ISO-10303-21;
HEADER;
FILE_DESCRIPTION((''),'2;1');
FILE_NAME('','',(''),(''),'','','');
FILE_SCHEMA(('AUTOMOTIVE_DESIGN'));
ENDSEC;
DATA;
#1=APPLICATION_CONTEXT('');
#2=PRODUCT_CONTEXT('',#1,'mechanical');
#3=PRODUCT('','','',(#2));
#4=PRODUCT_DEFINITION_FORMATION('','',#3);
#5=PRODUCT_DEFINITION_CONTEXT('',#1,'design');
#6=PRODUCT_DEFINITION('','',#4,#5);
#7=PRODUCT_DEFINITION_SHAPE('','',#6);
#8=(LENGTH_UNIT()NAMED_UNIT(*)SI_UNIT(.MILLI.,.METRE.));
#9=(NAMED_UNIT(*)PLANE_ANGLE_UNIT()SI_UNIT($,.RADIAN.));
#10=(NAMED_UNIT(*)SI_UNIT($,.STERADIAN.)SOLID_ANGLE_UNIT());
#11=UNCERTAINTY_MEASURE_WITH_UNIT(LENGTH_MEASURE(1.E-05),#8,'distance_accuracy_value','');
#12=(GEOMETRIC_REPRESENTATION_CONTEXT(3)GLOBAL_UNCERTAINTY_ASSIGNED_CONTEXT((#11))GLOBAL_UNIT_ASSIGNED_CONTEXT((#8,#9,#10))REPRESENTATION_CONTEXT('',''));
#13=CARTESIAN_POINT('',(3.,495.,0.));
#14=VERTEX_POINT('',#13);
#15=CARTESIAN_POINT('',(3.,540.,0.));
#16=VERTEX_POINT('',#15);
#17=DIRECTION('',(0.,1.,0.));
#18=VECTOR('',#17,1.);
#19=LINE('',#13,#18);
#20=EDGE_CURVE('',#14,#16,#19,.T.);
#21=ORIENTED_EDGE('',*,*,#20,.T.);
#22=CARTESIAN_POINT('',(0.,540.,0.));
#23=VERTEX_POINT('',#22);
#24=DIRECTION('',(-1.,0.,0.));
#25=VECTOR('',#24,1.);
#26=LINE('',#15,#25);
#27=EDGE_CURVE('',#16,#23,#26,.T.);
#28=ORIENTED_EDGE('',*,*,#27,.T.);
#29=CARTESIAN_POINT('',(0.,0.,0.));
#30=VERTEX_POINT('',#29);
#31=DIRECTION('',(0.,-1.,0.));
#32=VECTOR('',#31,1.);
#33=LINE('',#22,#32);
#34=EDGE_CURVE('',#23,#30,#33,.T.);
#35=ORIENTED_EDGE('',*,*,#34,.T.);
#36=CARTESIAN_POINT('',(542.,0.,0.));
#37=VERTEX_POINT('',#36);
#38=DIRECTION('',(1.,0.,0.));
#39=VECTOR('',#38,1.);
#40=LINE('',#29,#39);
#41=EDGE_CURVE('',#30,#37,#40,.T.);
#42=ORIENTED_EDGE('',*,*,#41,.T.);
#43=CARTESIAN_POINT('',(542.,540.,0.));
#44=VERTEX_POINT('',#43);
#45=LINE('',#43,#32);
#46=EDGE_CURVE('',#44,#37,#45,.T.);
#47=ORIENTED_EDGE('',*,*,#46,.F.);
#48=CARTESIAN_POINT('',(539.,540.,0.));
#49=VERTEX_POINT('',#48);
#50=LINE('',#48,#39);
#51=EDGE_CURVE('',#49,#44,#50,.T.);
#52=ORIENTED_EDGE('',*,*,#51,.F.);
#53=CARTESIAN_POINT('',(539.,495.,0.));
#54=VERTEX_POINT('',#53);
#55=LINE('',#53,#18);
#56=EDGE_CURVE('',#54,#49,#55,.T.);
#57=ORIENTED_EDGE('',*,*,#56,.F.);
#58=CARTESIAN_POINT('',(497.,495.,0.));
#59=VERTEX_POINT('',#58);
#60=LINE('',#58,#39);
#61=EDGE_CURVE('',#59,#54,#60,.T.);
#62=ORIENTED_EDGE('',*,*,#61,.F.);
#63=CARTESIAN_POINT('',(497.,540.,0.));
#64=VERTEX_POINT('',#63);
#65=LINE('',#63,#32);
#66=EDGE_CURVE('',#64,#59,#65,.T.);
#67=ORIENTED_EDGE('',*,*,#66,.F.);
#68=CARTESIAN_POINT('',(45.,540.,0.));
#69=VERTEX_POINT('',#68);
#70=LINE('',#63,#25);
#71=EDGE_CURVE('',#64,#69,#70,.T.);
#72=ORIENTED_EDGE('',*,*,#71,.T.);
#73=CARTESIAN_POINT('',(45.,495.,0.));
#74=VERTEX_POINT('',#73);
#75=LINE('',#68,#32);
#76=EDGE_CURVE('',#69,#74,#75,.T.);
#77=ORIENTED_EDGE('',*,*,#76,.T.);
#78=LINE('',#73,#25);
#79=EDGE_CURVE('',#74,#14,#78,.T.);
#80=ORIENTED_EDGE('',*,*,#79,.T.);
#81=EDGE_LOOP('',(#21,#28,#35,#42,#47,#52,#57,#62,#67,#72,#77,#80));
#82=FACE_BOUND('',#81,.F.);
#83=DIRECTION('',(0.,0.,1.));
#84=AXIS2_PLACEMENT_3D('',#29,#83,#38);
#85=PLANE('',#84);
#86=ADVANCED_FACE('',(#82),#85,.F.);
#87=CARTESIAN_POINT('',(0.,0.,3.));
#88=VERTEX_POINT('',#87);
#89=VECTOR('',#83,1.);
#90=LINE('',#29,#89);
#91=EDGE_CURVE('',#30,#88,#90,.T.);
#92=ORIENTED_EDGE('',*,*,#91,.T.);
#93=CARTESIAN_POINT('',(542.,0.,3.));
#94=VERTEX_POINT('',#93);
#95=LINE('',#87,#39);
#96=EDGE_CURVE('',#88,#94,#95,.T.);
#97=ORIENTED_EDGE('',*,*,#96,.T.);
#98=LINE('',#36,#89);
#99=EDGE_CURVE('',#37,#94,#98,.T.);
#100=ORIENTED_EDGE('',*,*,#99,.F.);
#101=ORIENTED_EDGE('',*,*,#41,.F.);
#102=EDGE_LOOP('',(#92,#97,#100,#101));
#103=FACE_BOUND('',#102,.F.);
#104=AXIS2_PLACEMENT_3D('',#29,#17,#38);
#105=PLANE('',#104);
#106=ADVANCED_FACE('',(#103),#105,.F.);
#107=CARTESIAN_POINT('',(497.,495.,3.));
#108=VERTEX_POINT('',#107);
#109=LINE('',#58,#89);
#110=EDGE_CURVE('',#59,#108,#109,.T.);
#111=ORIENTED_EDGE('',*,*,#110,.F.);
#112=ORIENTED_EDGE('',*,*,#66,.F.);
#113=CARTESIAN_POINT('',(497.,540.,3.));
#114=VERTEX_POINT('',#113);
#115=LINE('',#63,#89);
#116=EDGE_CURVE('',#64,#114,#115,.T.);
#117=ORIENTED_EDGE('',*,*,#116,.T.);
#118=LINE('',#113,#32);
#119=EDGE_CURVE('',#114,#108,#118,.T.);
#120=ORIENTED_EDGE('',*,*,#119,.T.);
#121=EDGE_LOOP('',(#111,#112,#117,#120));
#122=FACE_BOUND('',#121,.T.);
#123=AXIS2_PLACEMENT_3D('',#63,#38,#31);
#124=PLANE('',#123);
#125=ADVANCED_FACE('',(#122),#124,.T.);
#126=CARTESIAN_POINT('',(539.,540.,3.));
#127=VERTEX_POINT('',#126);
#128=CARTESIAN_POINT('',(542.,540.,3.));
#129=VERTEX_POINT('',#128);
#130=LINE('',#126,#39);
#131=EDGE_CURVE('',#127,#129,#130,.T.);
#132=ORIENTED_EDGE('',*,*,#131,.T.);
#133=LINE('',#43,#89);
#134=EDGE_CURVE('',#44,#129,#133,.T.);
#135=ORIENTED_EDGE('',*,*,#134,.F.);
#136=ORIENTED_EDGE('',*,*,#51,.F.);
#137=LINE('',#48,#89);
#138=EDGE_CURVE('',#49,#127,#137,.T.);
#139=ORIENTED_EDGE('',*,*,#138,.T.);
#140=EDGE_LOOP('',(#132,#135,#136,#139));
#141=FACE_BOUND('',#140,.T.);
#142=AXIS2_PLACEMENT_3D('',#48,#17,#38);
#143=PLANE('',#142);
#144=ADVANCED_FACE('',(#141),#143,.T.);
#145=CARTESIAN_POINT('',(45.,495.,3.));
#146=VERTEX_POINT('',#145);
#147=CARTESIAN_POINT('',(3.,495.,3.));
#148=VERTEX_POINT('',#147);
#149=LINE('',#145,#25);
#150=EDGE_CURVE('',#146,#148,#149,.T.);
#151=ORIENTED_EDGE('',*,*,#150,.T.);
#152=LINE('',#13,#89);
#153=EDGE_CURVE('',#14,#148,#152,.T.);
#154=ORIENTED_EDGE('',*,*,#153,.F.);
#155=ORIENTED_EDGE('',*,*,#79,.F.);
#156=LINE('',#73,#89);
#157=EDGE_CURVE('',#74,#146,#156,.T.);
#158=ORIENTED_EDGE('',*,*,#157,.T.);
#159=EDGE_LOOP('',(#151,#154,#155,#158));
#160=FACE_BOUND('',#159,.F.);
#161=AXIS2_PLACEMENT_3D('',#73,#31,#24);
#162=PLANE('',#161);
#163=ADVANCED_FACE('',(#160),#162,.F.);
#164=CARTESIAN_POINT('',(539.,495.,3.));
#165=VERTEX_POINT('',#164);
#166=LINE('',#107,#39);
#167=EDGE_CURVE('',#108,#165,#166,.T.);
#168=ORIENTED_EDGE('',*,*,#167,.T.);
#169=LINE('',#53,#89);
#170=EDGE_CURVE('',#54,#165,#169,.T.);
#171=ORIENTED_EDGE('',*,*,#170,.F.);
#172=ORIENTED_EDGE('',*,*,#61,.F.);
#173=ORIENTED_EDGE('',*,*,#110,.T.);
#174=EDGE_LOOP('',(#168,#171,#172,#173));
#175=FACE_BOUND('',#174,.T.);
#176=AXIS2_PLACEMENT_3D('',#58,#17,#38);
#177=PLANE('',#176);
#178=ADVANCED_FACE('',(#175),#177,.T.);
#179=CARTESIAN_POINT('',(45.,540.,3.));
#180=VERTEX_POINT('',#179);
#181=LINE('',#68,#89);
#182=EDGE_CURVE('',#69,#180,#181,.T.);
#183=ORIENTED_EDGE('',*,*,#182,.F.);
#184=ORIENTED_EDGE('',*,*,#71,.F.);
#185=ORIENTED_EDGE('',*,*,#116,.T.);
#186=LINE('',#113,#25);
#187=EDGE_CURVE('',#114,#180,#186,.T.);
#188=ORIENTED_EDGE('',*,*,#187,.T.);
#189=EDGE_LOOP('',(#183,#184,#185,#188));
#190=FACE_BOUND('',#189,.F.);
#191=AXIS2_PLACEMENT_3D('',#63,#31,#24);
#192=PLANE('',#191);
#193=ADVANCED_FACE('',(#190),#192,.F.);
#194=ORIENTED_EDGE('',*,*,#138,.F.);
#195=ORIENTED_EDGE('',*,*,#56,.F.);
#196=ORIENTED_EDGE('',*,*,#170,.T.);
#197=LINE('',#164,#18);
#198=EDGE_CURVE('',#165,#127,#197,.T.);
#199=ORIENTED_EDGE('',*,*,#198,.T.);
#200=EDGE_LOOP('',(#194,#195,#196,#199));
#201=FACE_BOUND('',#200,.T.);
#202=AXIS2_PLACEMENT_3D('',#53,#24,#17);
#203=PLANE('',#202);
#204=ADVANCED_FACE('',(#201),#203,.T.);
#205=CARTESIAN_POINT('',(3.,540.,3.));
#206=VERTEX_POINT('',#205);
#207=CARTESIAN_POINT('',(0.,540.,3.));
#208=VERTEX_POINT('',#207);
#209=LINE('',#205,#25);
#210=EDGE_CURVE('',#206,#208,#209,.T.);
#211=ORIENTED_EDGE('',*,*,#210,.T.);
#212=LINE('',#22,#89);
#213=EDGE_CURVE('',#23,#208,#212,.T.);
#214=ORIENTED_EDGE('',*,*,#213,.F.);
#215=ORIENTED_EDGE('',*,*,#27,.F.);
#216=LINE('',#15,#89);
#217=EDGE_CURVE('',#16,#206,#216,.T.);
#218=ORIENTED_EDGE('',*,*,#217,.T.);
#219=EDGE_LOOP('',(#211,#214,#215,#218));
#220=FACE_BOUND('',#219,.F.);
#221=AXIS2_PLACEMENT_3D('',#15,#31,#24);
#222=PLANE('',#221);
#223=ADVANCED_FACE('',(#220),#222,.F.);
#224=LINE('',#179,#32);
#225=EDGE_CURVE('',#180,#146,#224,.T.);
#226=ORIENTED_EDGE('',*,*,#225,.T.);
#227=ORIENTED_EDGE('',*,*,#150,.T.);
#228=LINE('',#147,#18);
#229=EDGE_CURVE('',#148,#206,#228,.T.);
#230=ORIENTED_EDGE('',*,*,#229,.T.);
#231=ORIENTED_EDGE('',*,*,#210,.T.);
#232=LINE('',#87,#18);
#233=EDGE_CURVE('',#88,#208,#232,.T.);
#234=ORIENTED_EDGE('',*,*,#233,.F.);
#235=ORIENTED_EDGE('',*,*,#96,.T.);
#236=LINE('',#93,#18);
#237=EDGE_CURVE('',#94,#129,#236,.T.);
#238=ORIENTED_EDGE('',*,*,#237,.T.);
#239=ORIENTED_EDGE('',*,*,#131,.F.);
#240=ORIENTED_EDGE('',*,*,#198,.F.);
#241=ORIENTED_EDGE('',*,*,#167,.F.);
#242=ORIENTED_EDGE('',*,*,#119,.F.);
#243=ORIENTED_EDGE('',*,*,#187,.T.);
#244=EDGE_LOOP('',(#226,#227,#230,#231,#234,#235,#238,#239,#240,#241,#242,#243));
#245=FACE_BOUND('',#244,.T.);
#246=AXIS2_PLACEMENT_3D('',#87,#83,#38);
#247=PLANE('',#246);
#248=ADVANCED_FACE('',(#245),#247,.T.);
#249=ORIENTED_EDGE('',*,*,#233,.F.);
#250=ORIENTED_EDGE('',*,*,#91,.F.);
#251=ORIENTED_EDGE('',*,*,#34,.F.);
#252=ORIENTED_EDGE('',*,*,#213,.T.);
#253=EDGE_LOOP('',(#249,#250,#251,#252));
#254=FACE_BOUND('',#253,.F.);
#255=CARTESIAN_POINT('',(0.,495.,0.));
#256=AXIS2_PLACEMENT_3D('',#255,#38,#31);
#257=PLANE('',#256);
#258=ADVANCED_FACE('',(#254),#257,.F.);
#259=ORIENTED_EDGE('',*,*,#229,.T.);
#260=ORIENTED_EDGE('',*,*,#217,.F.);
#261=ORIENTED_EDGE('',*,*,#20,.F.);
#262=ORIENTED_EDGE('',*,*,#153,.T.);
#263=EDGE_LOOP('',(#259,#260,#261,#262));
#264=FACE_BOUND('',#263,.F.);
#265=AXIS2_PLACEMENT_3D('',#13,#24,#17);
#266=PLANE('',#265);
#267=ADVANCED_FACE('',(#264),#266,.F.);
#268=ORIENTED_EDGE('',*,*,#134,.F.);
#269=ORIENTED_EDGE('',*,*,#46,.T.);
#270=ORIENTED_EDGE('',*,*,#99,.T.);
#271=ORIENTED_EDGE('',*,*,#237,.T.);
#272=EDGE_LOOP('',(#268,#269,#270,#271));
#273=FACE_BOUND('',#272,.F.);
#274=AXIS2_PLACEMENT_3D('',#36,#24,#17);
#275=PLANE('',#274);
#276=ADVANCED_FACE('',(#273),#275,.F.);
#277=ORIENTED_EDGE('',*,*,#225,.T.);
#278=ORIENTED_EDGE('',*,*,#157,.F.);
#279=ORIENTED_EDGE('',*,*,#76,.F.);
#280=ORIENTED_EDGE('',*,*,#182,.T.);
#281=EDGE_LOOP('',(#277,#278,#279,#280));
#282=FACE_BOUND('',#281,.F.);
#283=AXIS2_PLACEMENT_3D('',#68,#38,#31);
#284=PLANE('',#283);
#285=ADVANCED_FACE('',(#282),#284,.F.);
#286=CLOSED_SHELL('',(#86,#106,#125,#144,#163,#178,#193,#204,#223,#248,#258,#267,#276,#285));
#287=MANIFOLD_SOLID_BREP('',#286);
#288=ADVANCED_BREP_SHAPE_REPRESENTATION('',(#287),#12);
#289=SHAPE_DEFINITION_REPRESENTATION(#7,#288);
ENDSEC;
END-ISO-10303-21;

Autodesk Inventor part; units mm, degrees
ref_plane "YZ Plane" through (0, 0, 0) normal (1, 0, 0) x (0, 1, 0)
ref_plane "XZ Plane" through (0, 0, 0) normal (0, 1, 0) x (-1, 0, 0)
ref_plane "XY Plane" through (0, 0, 0) normal (0, 0, 1) x (1, 0, 0)
sketch "Sketch1" plane through (0, 0, 0) normal (0, 0, 1) x (1, 0, 0)
  line L0 (0, 0) -> (542, 0)
  line L1 (542, 0) -> (542, 495)
  line L2 (497, 540) -> (45, 540)
  line L3 (0, 495) -> (0, 0)
  line L4 (45, 540) -> (45, 495)
  line L5 (45, 495) -> (0, 495)
  line L6 (497, 540) -> (497, 495)
  line L7 (497, 495) -> (542, 495)
  line L8 (0, 495) -> (3, 495)
  line L9 (3, 495) -> (3, 540)
  line L10 (3, 540) -> (0, 540)
  line L11 (0, 540) -> (0, 495)
  line L12 (542, 495) -> (539, 495)
  line L13 (539, 495) -> (539, 540)
  line L14 (539, 540) -> (542, 540)
  line L15 (542, 540) -> (542, 495)
  dimension "d0" = 542
  dimension "d1" = 540
  dimension "d4" = 45
  dimension "d5" = 45
  dimension "d6" = 45
  dimension "d7" = 45
  dimension "d8" = 3
  dimension "d9" = 3
extrude "Extrusion1" add sketch "Sketch1" along normal blind 3
equation "\"d5\" = d4"
equation "\"d6\" = d5"
equation "\"d7\" = d6"
properties part number "plate_back" material "Polystyrene"
